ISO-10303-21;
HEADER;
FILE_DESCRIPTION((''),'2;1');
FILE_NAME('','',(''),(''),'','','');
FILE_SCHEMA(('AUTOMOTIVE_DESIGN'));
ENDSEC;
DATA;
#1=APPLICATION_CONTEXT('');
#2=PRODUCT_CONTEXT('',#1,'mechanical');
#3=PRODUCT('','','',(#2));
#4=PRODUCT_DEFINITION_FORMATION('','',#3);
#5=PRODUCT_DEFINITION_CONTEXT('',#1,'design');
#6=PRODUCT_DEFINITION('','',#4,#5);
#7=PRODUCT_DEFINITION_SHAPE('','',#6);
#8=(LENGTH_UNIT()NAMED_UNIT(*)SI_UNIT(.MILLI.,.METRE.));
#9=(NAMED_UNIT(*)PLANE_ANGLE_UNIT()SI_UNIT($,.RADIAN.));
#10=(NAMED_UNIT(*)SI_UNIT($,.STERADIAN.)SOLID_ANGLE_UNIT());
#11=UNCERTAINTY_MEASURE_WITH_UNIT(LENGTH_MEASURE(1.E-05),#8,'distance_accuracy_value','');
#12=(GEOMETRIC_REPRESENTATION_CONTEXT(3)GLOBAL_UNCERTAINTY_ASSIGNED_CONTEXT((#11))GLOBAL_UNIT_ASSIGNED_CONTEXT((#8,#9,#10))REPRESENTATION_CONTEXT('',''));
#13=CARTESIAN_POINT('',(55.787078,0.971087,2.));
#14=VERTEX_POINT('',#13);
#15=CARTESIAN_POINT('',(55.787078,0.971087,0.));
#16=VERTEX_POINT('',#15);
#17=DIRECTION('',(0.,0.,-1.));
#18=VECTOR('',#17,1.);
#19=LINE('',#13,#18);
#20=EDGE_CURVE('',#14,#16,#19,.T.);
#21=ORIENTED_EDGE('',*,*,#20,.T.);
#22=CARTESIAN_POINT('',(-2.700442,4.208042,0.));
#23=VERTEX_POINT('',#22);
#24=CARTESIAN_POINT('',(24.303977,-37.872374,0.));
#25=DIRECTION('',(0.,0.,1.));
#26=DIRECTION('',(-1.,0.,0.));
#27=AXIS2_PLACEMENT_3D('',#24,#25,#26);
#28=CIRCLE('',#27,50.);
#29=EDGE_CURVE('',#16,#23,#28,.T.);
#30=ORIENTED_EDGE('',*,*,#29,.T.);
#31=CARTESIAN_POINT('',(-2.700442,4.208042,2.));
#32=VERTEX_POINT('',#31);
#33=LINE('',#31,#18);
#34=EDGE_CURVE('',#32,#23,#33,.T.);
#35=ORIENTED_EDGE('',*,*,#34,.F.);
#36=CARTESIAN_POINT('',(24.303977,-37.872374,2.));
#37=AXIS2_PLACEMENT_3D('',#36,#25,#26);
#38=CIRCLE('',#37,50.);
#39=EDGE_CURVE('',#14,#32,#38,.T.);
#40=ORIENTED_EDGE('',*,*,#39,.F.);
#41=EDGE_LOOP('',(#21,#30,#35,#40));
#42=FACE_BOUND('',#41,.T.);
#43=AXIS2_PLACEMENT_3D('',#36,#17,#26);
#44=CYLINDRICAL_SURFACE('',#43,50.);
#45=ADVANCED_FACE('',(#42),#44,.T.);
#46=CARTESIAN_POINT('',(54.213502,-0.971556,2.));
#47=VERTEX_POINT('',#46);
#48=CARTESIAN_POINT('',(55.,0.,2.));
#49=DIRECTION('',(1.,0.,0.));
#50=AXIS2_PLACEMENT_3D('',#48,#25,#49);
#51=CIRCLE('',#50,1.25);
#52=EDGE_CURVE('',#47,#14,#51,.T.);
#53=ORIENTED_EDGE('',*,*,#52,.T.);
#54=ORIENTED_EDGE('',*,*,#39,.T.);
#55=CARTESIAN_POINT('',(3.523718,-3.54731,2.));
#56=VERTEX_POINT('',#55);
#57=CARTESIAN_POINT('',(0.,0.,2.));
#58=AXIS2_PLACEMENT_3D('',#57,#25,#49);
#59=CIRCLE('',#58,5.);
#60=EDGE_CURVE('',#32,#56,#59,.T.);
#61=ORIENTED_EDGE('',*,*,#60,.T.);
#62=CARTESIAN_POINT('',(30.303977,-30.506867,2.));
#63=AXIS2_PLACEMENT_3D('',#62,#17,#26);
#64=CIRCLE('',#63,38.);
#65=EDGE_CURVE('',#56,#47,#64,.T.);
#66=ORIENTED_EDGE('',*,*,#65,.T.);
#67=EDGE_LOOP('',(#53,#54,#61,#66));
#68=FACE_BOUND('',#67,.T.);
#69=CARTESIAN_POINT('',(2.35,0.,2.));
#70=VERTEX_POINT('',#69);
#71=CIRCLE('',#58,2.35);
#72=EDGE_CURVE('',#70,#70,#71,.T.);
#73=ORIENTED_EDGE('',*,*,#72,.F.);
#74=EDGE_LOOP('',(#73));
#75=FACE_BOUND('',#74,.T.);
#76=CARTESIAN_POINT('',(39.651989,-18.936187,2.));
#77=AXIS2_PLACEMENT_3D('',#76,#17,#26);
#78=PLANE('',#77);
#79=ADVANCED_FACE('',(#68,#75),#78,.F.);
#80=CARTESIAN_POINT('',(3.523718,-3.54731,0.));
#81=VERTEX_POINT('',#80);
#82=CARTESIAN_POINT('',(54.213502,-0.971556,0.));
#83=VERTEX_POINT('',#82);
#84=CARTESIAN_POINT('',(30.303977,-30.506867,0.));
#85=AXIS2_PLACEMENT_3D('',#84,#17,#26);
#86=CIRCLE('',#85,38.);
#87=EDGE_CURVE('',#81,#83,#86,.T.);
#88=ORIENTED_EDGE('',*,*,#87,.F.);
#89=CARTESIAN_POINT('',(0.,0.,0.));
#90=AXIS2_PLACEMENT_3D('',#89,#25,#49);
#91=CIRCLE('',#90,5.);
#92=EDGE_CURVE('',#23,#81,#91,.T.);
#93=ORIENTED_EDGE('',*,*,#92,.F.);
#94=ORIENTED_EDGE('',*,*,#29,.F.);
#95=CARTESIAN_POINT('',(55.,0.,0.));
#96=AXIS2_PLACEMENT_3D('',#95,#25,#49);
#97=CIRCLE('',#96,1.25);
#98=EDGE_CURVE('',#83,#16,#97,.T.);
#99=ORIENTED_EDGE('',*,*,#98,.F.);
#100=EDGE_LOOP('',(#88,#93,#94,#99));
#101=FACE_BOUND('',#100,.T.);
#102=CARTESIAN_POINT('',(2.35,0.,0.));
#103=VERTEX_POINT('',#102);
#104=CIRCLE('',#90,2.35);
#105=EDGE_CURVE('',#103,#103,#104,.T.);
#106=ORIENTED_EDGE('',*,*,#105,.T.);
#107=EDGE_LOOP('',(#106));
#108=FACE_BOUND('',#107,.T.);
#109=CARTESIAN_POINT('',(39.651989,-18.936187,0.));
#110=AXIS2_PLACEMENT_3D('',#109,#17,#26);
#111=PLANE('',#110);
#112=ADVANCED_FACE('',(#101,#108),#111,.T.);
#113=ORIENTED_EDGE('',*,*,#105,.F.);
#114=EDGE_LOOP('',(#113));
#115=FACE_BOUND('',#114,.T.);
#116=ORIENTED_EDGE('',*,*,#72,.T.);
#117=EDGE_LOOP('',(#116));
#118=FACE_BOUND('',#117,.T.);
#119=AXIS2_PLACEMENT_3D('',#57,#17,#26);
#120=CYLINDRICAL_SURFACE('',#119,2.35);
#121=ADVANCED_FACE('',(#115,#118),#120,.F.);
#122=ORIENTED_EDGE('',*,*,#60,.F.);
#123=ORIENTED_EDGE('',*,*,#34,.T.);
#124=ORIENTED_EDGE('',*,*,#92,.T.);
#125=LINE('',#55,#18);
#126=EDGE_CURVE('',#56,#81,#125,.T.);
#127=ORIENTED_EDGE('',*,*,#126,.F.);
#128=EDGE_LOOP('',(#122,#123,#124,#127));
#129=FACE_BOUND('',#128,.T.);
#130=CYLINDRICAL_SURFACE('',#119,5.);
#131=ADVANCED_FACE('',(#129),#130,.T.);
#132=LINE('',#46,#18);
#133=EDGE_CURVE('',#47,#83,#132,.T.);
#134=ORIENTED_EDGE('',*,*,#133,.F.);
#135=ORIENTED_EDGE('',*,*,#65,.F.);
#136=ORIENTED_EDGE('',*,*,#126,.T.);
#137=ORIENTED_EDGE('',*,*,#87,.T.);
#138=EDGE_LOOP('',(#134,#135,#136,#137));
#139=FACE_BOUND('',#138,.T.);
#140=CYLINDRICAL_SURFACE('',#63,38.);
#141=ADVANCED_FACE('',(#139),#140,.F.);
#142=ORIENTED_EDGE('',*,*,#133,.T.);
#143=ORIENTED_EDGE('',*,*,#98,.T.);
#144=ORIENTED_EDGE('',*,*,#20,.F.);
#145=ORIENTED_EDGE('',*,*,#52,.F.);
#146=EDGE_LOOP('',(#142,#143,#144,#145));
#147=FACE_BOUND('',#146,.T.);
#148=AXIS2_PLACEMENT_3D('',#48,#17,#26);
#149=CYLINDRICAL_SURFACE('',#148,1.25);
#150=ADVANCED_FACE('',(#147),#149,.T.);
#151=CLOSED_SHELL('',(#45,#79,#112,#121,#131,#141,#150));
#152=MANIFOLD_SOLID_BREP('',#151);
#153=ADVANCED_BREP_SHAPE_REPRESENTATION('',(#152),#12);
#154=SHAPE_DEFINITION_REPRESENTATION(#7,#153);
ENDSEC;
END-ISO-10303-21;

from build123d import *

# Parameters (mm, degrees)
SKETCH1_R           = 2.35
BOSS_EXTRUDE1_DEPTH = 2


with BuildPart() as part:
    # Sketch1 → Boss-Extrude1 (new body)
    with BuildSketch(Plane.XY):
        with BuildLine():
            ThreePointArc((-2.700441919, 4.208041521), (-3.899463546, -3.129566112), (3.523718288, -3.547310168))
            ThreePointArc((3.523718288, -3.547310168), (28.375530969, 7.444168044), (54.213502461, -0.971556288))
            ThreePointArc((54.213502461, -0.971556288), (55.97132144, -0.786787558), (55.787077506, 0.971086505))
            ThreePointArc((55.787077506, 0.971086505), (27.066967575, 12.05122679), (-2.700441919, 4.208041521))
        make_face()
        Circle(SKETCH1_R, mode=Mode.SUBTRACT)
    extrude(amount=BOSS_EXTRUDE1_DEPTH)


solid = part.part
